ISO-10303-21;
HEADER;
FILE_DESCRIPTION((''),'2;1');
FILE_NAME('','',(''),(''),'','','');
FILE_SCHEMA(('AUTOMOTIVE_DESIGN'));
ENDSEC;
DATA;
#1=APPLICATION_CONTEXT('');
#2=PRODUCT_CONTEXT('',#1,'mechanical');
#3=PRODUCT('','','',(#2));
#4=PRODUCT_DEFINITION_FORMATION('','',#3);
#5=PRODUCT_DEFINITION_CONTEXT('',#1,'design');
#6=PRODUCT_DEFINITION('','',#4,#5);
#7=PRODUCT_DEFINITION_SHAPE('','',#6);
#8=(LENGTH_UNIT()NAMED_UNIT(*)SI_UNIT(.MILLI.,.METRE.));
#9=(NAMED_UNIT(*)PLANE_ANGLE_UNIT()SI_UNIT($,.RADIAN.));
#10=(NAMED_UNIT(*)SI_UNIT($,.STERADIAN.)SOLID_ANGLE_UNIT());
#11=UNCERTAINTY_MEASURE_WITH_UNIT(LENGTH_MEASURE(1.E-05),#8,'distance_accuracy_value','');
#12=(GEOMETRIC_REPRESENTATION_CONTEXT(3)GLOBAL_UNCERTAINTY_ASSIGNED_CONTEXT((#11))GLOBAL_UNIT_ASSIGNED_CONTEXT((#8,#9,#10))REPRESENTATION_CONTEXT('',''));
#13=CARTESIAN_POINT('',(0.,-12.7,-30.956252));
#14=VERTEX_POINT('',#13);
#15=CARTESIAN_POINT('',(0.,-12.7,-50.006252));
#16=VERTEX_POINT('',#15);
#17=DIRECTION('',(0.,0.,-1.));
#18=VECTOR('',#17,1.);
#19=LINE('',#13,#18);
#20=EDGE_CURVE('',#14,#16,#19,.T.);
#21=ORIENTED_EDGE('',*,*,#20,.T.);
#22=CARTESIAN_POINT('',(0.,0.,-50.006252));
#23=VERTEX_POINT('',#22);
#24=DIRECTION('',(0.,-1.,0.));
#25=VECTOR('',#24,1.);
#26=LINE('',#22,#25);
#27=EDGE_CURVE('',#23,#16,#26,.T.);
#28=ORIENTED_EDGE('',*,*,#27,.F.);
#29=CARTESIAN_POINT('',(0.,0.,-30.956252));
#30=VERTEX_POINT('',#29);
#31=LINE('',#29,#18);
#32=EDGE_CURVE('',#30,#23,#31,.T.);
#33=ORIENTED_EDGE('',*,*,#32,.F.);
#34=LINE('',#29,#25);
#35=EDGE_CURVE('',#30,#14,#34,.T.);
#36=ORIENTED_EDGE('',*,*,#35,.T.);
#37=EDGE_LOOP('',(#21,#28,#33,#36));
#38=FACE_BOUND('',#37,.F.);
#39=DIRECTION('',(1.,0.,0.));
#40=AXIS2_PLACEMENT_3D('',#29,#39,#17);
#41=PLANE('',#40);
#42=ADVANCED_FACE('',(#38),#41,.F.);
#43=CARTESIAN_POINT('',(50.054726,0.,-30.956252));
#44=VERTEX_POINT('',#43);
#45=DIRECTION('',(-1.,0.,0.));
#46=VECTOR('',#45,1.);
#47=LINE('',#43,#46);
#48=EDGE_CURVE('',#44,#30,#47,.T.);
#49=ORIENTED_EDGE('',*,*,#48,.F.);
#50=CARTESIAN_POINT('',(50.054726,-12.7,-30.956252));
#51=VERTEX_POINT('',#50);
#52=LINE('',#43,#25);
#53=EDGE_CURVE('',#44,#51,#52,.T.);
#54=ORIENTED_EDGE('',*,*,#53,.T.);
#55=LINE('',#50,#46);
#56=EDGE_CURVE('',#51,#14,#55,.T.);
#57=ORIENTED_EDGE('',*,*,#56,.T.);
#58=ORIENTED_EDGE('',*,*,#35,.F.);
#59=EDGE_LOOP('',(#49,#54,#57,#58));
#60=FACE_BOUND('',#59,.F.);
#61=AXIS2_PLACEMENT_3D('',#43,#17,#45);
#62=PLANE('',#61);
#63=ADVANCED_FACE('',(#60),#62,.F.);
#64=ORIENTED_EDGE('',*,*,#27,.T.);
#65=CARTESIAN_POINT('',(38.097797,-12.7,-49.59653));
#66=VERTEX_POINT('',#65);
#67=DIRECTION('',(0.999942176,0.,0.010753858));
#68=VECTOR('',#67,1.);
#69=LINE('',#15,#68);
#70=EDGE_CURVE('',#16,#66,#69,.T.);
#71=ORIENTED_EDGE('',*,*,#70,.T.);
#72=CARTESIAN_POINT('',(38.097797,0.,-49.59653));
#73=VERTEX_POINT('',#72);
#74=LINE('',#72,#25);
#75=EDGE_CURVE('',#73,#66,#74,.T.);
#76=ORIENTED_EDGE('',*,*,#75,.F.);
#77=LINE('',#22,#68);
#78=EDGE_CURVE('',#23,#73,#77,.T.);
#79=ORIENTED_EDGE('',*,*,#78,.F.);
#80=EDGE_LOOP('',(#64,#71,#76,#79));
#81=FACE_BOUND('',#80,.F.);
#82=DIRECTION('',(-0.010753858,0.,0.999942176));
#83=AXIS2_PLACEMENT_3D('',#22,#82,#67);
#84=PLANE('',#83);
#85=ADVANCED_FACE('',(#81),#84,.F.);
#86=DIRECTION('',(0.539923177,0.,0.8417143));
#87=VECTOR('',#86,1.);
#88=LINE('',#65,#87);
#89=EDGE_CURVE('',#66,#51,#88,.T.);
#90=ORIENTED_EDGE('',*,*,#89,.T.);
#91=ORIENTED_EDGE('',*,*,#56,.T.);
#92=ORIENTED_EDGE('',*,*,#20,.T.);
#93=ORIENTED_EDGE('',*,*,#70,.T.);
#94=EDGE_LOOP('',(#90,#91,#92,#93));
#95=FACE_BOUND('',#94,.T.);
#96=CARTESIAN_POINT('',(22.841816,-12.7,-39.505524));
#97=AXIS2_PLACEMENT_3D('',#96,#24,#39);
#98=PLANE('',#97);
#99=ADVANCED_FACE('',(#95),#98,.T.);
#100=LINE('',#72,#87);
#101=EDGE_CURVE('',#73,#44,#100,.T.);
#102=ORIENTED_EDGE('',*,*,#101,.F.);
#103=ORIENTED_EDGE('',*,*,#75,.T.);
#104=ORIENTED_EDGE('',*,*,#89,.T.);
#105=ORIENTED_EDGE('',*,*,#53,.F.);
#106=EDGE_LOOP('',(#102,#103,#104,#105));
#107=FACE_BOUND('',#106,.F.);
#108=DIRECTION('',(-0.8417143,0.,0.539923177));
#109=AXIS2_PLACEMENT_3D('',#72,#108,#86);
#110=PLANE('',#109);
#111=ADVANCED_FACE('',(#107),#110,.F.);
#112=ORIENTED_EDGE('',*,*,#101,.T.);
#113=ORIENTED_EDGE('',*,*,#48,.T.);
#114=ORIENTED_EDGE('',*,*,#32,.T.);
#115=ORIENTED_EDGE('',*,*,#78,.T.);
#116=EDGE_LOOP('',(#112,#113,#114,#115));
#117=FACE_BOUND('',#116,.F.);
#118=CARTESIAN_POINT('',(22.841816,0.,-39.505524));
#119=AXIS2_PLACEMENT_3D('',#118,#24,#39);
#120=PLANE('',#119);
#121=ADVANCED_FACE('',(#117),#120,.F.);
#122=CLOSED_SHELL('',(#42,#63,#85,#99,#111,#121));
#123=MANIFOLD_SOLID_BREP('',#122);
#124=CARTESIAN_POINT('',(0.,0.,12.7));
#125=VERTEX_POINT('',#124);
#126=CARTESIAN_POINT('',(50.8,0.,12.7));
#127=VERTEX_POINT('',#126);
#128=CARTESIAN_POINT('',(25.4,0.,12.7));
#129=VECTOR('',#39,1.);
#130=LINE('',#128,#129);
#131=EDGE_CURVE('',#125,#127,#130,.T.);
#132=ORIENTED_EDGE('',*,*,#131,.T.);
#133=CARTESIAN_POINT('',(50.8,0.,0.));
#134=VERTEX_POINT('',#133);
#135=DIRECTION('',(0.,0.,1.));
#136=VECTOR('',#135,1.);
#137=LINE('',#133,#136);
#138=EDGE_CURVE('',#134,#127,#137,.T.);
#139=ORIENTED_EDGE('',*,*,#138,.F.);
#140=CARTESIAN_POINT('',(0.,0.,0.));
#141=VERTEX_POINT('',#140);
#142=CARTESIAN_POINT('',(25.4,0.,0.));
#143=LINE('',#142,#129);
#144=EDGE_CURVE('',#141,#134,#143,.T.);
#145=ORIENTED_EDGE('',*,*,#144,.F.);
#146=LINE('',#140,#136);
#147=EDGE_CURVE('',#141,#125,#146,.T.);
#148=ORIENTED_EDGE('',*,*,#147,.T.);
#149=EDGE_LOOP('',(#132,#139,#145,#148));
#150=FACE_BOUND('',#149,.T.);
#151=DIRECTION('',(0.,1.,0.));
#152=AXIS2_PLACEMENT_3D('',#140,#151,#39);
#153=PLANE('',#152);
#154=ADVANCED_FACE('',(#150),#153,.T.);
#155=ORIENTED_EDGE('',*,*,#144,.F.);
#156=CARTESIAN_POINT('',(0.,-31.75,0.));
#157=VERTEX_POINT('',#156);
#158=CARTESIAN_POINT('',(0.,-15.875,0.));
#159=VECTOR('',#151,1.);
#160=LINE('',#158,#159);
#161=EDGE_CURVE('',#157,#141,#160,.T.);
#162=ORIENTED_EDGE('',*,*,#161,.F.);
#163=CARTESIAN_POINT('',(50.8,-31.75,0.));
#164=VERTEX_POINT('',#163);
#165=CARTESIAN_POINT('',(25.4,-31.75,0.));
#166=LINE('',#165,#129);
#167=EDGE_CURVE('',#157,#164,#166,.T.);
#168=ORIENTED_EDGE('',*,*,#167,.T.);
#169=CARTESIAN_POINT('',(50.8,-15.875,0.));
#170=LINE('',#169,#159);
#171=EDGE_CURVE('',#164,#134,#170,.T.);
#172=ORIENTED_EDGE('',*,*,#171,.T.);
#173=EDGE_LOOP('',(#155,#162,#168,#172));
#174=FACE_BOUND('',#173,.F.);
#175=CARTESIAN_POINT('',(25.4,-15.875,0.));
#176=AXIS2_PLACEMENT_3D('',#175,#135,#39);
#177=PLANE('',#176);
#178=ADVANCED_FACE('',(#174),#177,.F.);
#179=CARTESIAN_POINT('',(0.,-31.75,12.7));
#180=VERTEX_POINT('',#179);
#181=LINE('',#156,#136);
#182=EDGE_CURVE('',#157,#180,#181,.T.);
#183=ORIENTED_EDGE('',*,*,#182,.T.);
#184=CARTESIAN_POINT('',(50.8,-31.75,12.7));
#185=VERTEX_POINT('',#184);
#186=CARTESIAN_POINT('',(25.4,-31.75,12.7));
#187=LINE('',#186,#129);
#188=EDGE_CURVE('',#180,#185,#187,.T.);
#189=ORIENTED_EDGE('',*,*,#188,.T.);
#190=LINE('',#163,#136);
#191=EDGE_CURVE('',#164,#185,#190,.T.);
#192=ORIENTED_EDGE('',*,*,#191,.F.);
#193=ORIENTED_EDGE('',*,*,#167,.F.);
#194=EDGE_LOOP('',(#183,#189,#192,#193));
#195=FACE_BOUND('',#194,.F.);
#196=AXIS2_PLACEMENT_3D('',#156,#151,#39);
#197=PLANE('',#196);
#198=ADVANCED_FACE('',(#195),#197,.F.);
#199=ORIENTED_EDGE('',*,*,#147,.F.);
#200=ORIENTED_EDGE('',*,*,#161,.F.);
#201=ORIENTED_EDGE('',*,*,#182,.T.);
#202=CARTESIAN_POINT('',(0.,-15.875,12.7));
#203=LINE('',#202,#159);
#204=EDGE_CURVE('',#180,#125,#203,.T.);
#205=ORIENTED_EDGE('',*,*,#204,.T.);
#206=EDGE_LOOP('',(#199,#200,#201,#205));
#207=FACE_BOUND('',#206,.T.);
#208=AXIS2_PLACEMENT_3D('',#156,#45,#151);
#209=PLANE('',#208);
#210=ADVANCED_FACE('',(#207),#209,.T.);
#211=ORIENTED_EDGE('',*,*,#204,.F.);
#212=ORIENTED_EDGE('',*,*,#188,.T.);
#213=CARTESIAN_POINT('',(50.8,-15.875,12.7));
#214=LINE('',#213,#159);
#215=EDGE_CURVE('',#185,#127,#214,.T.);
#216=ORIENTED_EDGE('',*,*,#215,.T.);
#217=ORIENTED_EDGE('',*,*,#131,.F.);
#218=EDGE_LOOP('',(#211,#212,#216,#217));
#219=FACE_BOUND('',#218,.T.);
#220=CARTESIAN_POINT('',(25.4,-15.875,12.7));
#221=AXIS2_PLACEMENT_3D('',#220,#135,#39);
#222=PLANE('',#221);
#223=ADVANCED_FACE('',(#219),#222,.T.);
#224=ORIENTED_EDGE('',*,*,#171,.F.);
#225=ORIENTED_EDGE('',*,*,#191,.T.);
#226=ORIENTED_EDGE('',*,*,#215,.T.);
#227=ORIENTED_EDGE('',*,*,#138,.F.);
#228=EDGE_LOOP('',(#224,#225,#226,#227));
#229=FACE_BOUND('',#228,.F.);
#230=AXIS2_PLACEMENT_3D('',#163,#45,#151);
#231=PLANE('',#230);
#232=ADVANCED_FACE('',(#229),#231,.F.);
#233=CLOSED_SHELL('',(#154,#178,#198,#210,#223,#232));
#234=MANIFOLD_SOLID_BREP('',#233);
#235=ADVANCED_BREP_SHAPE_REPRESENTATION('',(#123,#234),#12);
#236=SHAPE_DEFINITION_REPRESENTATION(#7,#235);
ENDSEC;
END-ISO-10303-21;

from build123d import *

# Parameters (mm, degrees)
F0_W     = 50.8
F0_H     = 31.75
F1_DEPTH = 12.7
F3_DEPTH = 12.7


with BuildPart() as f1:
    # F0 (on Top) → F1 (new body)
    with BuildSketch(Plane.XY):
        with Locations((25.4, -15.875)):
            Rectangle(F0_W, F0_H)
    extrude(amount=F1_DEPTH)


with BuildPart() as f3:
    # F2 (on Front) → F3 (new body)
    with BuildSketch(Plane.XZ):
        Polygon((0, -30.956252), (0, -50.006252), (38.097797, -49.59653), (50.054726, -30.956252), align=None)
    extrude(amount=F3_DEPTH)


solid = Compound([f1.part, f3.part])
